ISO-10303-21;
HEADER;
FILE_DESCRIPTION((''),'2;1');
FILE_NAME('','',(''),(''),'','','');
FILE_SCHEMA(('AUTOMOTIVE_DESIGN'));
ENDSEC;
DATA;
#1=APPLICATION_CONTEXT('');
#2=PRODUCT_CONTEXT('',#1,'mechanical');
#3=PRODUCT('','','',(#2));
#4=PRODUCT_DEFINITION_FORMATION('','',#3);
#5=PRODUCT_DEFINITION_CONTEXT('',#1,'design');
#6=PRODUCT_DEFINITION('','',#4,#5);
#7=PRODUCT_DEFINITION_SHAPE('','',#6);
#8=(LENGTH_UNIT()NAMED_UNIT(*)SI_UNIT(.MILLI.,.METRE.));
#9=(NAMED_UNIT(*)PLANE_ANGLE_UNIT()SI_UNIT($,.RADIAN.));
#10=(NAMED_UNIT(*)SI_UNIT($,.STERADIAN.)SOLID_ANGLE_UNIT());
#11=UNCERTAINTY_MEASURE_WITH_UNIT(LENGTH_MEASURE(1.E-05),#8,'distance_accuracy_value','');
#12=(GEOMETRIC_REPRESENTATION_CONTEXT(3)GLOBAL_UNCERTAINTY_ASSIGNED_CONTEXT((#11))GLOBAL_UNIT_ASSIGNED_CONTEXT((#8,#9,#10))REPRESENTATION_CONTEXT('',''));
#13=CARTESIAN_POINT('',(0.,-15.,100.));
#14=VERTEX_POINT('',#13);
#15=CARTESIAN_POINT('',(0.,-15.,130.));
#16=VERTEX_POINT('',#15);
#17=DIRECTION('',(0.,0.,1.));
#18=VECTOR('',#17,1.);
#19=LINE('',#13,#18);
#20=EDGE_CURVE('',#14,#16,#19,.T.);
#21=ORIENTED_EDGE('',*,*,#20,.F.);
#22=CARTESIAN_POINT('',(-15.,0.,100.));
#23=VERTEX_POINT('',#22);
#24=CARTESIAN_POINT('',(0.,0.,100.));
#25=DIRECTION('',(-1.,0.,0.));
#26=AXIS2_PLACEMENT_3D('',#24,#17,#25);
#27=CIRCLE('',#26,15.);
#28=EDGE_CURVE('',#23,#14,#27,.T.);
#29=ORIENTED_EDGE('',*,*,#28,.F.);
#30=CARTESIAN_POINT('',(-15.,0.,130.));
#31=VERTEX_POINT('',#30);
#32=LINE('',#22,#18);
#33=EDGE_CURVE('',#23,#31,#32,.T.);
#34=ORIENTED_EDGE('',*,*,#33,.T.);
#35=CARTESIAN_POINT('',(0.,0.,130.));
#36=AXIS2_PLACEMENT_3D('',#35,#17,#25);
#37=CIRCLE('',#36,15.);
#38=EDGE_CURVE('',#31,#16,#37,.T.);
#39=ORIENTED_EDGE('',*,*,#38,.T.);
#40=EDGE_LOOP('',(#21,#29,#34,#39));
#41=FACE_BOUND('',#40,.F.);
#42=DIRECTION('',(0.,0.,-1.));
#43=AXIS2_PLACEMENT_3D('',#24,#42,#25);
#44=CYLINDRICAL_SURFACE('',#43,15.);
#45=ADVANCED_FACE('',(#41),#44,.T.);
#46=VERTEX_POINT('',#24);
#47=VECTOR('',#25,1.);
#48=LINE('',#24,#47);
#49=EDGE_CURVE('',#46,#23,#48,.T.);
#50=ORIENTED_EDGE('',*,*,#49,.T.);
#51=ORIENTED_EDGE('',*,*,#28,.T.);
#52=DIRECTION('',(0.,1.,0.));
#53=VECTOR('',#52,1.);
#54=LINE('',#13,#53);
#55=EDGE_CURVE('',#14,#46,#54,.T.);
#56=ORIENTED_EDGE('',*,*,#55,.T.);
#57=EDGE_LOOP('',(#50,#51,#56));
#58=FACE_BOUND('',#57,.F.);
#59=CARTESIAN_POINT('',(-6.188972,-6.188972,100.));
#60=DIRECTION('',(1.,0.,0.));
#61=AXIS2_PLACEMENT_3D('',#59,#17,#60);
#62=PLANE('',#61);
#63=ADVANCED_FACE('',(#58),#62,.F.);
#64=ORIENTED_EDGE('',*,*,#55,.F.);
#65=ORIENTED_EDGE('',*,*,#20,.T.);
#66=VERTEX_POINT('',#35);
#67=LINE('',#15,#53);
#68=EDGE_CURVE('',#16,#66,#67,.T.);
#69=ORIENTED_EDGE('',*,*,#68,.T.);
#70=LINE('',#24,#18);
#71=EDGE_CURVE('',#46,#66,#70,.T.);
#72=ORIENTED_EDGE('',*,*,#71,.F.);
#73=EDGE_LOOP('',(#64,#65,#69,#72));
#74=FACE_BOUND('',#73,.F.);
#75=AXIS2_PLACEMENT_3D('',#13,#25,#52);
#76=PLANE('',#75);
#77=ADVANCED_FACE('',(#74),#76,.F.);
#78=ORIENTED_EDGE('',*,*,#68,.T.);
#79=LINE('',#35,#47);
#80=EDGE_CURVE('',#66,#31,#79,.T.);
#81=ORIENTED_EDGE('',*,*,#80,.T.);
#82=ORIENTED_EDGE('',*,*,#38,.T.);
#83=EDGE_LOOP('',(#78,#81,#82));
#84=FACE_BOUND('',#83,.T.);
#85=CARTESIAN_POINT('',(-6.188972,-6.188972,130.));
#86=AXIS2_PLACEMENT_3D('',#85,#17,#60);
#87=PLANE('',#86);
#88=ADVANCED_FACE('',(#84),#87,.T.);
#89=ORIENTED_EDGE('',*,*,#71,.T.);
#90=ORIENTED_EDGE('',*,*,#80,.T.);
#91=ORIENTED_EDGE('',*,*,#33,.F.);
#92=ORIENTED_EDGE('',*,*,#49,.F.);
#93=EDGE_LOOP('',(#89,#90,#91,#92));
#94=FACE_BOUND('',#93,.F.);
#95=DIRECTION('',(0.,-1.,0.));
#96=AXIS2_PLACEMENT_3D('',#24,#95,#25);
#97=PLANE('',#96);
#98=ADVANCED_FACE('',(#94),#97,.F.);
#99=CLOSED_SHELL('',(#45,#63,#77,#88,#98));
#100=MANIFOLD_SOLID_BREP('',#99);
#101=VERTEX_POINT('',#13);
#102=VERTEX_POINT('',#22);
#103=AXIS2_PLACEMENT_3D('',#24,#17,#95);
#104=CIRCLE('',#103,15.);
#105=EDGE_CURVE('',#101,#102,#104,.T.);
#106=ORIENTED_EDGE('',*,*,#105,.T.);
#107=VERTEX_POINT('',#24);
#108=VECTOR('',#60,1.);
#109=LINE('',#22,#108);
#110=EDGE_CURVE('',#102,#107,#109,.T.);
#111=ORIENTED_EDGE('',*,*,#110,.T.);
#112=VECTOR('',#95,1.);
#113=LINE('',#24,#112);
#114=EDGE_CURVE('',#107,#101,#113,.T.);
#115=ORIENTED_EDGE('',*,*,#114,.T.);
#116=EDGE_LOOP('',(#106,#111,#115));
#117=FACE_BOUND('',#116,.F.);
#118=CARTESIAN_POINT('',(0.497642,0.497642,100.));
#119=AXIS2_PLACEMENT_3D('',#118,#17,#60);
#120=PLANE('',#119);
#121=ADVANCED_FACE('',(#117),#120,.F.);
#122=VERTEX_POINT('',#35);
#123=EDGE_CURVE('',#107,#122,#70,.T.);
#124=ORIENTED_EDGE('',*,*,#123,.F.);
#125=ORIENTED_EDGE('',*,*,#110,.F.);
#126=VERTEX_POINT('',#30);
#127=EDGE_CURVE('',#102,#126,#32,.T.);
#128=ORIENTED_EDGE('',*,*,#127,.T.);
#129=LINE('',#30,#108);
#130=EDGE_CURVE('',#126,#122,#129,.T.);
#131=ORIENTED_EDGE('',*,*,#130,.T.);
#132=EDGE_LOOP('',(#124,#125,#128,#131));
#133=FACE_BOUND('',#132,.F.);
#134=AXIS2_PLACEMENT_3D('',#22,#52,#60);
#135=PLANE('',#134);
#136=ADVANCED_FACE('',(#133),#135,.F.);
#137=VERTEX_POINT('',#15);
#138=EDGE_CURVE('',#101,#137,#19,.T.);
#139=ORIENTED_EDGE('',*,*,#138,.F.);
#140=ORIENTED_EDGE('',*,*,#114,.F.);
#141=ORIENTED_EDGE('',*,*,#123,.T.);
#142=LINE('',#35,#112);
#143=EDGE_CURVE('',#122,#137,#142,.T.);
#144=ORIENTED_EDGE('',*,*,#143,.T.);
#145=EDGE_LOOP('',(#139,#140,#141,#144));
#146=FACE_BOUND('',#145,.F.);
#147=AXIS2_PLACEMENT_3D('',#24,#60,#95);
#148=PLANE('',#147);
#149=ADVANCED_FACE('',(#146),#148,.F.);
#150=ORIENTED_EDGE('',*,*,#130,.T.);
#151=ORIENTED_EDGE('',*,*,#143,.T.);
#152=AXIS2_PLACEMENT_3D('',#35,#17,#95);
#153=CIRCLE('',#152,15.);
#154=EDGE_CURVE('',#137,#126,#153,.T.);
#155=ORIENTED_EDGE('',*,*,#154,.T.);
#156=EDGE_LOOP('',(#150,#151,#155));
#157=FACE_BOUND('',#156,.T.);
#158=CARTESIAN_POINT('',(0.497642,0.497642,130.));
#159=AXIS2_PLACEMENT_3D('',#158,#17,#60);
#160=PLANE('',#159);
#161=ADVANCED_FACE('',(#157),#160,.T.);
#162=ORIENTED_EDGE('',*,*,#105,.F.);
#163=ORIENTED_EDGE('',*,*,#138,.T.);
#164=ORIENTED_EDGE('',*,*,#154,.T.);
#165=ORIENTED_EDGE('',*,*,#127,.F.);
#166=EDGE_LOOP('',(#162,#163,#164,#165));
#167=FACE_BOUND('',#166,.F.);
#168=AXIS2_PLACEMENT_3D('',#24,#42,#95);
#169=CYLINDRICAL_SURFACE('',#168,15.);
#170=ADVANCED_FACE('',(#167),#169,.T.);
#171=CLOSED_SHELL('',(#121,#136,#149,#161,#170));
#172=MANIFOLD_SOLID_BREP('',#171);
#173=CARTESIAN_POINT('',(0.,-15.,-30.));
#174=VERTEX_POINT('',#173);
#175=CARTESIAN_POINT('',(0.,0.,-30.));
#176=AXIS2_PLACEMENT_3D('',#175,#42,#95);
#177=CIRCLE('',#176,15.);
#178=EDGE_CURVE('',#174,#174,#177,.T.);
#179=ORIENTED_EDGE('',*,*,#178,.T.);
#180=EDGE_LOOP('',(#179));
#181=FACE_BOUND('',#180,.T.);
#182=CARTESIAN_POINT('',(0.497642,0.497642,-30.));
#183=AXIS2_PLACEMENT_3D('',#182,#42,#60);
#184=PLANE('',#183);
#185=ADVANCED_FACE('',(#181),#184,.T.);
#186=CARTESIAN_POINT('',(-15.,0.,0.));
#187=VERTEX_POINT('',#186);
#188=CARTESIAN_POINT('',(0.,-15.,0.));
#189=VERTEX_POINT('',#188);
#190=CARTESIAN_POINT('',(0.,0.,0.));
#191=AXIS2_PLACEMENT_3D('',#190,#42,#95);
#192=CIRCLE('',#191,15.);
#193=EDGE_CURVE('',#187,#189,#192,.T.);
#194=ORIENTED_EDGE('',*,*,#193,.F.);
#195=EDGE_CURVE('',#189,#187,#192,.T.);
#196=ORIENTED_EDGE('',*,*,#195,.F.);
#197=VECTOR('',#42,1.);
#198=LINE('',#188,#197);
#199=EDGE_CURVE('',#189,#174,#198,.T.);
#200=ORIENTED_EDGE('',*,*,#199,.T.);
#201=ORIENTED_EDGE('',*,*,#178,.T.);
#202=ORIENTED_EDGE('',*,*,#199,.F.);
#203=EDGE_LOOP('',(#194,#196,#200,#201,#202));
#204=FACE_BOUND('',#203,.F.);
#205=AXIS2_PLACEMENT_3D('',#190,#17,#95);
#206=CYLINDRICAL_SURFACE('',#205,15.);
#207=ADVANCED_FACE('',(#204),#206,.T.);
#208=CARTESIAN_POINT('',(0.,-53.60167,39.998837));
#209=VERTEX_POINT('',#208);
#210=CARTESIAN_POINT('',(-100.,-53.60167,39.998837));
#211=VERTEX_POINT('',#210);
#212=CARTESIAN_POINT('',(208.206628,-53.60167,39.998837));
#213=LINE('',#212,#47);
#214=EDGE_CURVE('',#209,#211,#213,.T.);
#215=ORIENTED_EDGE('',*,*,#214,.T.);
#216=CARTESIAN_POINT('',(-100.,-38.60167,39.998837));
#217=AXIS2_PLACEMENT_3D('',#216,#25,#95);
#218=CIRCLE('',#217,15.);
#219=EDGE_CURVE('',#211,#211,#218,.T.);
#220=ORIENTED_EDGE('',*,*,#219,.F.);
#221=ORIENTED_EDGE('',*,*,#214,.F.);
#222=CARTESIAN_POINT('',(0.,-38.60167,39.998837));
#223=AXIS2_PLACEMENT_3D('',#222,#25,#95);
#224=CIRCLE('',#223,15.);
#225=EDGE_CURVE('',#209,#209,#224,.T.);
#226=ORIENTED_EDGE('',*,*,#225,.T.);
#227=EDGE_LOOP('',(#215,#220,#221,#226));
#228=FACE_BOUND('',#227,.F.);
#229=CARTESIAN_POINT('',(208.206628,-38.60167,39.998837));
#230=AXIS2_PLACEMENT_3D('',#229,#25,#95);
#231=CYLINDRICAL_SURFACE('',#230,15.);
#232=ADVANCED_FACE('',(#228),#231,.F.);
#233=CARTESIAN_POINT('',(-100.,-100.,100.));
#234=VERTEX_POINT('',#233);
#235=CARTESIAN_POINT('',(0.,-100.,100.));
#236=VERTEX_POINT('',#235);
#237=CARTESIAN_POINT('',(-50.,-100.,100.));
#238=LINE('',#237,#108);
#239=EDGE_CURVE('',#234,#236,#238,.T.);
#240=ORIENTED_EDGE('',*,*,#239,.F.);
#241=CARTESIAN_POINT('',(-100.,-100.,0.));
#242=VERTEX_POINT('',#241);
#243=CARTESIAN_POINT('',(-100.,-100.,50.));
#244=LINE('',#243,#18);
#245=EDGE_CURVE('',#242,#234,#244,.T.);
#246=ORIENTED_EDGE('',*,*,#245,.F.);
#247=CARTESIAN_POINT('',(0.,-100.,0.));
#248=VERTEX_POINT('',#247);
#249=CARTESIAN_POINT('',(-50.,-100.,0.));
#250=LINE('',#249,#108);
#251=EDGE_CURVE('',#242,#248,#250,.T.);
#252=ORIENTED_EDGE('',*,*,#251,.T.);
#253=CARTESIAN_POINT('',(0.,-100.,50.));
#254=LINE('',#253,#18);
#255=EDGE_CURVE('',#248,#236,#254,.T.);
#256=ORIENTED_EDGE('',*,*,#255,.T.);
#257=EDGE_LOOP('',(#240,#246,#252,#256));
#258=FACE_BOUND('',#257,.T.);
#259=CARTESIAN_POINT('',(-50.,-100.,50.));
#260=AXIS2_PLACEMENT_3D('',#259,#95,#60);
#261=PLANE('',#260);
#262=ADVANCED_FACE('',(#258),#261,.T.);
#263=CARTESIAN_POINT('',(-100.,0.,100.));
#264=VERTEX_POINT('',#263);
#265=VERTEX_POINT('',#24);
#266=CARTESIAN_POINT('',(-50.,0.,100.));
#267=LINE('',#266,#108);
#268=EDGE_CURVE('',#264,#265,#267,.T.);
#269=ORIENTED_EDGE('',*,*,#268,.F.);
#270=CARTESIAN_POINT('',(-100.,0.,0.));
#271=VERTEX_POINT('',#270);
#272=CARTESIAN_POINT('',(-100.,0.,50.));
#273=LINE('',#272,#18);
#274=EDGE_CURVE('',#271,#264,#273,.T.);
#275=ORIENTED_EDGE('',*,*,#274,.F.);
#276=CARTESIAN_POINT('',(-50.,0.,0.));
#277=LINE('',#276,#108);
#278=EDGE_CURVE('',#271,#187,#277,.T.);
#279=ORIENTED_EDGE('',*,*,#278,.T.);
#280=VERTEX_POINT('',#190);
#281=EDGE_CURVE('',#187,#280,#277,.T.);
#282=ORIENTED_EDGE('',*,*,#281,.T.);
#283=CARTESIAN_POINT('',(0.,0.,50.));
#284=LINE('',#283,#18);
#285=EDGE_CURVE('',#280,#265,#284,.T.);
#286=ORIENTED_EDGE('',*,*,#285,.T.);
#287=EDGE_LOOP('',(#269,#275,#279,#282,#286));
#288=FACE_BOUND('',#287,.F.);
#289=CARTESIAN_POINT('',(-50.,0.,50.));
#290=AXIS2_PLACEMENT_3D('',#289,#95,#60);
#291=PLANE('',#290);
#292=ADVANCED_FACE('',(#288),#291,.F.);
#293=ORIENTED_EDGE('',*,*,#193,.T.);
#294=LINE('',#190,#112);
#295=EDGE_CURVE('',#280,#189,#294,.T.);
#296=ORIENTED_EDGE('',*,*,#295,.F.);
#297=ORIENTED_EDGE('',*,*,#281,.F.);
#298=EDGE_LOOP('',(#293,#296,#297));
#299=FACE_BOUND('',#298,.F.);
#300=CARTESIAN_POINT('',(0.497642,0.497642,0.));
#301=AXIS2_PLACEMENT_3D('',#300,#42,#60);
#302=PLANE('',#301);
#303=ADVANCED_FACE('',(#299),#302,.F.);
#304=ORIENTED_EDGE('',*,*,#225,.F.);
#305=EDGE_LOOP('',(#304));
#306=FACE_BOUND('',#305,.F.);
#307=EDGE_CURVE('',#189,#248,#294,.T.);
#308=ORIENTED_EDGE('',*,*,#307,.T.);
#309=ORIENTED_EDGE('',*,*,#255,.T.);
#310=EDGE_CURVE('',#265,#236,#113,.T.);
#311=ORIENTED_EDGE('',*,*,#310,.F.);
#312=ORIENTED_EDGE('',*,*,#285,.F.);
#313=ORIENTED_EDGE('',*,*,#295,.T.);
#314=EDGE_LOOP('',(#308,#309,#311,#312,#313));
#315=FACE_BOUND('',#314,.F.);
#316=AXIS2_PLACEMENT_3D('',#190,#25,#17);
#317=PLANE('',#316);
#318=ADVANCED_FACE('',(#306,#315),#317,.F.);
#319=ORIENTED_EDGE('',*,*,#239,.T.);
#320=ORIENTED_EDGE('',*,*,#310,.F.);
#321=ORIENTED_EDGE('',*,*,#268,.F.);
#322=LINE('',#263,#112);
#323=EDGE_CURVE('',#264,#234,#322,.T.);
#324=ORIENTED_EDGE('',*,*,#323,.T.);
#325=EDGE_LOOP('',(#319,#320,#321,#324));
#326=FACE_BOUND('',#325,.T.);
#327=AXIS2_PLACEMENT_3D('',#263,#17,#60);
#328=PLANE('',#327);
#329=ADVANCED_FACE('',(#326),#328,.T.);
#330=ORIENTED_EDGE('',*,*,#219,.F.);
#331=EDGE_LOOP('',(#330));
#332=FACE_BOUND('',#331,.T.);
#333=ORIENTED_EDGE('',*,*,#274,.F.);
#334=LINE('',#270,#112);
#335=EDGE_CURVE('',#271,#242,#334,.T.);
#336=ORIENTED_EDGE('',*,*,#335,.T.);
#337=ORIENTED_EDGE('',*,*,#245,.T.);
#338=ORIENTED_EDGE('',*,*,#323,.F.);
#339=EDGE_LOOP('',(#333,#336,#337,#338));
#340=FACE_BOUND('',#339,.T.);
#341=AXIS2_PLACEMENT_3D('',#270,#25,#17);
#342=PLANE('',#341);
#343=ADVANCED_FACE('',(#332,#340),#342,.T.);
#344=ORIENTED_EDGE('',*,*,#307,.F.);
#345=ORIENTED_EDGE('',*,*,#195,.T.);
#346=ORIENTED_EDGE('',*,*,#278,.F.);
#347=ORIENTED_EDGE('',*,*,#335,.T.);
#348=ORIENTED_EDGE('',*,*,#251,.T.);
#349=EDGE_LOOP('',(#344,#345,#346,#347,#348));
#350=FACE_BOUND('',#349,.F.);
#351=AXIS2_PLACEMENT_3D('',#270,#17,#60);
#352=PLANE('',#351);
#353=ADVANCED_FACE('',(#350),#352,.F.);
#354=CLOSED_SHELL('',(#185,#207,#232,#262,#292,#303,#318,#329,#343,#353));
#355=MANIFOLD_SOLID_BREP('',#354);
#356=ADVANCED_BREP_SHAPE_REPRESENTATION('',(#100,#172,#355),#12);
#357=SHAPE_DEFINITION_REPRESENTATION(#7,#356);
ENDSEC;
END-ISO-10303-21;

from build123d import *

# Parameters (mm, degrees)
F0_W     = 100
F0_H     = 100
F1_DEPTH = 100
F3_DEPTH = 30
F4_DEPTH = 30
F6_DEPTH = 30
F8_D     = 30


with BuildPart() as f1:
    # F0 (on Front) → F1 (new body)
    with BuildSketch(Plane.XZ):
        with Locations((-50, 50)):
            Rectangle(F0_W, F0_H)
    extrude(amount=F1_DEPTH)

    # F5 (on face) → F6 (join)
    with BuildSketch(Plane(origin=(0, 0, 0), x_dir=(1, 0, 0), z_dir=(0, 0, -1))):
        with BuildLine():
            ThreePointArc((-15, 0), (0, -15), (15, 0))
            ThreePointArc((15, 0), (10.6066017178, 10.6066017178), (0, 15))
            Line((0, 15), (0, 0))
            Line((0, 0), (-15, 0))
        make_face()
        with BuildLine():
            Line((0, 0), (0, 15))
            ThreePointArc((0, 15), (-10.6066017178, 10.6066017178), (-15, 0))
            Line((-15, 0), (0, 0))
        make_face()
    extrude(amount=F6_DEPTH)

    # F8 (through all)
    with Locations(Plane.YZ):
        with Locations((-38.6016704142, 39.9988368154)):
            Hole(F8_D / 2)


with BuildPart() as f3:
    # F2 (on face) → F3 (new body)
    with BuildSketch(Plane.XY.offset(100)):
        with BuildLine():
            ThreePointArc((0, -15), (10.6066017178, -10.6066017178), (15, 0))
            ThreePointArc((15, 0), (0, 15), (-15, 0))
            Line((-15, 0), (0, 0))
            Line((0, 0), (0, -15))
        make_face()
    extrude(amount=F3_DEPTH)


with BuildPart() as f4:
    # F2 (on face) → F4 (new body)
    with BuildSketch(Plane.XY.offset(100)):
        with BuildLine():
            Line((0, 0), (-15, 0))
            ThreePointArc((-15, 0), (-10.6066017178, -10.6066017178), (0, -15))
            Line((0, -15), (0, 0))
        make_face()
    extrude(amount=F4_DEPTH)


solid = Compound([f1.part, f3.part, f4.part])
